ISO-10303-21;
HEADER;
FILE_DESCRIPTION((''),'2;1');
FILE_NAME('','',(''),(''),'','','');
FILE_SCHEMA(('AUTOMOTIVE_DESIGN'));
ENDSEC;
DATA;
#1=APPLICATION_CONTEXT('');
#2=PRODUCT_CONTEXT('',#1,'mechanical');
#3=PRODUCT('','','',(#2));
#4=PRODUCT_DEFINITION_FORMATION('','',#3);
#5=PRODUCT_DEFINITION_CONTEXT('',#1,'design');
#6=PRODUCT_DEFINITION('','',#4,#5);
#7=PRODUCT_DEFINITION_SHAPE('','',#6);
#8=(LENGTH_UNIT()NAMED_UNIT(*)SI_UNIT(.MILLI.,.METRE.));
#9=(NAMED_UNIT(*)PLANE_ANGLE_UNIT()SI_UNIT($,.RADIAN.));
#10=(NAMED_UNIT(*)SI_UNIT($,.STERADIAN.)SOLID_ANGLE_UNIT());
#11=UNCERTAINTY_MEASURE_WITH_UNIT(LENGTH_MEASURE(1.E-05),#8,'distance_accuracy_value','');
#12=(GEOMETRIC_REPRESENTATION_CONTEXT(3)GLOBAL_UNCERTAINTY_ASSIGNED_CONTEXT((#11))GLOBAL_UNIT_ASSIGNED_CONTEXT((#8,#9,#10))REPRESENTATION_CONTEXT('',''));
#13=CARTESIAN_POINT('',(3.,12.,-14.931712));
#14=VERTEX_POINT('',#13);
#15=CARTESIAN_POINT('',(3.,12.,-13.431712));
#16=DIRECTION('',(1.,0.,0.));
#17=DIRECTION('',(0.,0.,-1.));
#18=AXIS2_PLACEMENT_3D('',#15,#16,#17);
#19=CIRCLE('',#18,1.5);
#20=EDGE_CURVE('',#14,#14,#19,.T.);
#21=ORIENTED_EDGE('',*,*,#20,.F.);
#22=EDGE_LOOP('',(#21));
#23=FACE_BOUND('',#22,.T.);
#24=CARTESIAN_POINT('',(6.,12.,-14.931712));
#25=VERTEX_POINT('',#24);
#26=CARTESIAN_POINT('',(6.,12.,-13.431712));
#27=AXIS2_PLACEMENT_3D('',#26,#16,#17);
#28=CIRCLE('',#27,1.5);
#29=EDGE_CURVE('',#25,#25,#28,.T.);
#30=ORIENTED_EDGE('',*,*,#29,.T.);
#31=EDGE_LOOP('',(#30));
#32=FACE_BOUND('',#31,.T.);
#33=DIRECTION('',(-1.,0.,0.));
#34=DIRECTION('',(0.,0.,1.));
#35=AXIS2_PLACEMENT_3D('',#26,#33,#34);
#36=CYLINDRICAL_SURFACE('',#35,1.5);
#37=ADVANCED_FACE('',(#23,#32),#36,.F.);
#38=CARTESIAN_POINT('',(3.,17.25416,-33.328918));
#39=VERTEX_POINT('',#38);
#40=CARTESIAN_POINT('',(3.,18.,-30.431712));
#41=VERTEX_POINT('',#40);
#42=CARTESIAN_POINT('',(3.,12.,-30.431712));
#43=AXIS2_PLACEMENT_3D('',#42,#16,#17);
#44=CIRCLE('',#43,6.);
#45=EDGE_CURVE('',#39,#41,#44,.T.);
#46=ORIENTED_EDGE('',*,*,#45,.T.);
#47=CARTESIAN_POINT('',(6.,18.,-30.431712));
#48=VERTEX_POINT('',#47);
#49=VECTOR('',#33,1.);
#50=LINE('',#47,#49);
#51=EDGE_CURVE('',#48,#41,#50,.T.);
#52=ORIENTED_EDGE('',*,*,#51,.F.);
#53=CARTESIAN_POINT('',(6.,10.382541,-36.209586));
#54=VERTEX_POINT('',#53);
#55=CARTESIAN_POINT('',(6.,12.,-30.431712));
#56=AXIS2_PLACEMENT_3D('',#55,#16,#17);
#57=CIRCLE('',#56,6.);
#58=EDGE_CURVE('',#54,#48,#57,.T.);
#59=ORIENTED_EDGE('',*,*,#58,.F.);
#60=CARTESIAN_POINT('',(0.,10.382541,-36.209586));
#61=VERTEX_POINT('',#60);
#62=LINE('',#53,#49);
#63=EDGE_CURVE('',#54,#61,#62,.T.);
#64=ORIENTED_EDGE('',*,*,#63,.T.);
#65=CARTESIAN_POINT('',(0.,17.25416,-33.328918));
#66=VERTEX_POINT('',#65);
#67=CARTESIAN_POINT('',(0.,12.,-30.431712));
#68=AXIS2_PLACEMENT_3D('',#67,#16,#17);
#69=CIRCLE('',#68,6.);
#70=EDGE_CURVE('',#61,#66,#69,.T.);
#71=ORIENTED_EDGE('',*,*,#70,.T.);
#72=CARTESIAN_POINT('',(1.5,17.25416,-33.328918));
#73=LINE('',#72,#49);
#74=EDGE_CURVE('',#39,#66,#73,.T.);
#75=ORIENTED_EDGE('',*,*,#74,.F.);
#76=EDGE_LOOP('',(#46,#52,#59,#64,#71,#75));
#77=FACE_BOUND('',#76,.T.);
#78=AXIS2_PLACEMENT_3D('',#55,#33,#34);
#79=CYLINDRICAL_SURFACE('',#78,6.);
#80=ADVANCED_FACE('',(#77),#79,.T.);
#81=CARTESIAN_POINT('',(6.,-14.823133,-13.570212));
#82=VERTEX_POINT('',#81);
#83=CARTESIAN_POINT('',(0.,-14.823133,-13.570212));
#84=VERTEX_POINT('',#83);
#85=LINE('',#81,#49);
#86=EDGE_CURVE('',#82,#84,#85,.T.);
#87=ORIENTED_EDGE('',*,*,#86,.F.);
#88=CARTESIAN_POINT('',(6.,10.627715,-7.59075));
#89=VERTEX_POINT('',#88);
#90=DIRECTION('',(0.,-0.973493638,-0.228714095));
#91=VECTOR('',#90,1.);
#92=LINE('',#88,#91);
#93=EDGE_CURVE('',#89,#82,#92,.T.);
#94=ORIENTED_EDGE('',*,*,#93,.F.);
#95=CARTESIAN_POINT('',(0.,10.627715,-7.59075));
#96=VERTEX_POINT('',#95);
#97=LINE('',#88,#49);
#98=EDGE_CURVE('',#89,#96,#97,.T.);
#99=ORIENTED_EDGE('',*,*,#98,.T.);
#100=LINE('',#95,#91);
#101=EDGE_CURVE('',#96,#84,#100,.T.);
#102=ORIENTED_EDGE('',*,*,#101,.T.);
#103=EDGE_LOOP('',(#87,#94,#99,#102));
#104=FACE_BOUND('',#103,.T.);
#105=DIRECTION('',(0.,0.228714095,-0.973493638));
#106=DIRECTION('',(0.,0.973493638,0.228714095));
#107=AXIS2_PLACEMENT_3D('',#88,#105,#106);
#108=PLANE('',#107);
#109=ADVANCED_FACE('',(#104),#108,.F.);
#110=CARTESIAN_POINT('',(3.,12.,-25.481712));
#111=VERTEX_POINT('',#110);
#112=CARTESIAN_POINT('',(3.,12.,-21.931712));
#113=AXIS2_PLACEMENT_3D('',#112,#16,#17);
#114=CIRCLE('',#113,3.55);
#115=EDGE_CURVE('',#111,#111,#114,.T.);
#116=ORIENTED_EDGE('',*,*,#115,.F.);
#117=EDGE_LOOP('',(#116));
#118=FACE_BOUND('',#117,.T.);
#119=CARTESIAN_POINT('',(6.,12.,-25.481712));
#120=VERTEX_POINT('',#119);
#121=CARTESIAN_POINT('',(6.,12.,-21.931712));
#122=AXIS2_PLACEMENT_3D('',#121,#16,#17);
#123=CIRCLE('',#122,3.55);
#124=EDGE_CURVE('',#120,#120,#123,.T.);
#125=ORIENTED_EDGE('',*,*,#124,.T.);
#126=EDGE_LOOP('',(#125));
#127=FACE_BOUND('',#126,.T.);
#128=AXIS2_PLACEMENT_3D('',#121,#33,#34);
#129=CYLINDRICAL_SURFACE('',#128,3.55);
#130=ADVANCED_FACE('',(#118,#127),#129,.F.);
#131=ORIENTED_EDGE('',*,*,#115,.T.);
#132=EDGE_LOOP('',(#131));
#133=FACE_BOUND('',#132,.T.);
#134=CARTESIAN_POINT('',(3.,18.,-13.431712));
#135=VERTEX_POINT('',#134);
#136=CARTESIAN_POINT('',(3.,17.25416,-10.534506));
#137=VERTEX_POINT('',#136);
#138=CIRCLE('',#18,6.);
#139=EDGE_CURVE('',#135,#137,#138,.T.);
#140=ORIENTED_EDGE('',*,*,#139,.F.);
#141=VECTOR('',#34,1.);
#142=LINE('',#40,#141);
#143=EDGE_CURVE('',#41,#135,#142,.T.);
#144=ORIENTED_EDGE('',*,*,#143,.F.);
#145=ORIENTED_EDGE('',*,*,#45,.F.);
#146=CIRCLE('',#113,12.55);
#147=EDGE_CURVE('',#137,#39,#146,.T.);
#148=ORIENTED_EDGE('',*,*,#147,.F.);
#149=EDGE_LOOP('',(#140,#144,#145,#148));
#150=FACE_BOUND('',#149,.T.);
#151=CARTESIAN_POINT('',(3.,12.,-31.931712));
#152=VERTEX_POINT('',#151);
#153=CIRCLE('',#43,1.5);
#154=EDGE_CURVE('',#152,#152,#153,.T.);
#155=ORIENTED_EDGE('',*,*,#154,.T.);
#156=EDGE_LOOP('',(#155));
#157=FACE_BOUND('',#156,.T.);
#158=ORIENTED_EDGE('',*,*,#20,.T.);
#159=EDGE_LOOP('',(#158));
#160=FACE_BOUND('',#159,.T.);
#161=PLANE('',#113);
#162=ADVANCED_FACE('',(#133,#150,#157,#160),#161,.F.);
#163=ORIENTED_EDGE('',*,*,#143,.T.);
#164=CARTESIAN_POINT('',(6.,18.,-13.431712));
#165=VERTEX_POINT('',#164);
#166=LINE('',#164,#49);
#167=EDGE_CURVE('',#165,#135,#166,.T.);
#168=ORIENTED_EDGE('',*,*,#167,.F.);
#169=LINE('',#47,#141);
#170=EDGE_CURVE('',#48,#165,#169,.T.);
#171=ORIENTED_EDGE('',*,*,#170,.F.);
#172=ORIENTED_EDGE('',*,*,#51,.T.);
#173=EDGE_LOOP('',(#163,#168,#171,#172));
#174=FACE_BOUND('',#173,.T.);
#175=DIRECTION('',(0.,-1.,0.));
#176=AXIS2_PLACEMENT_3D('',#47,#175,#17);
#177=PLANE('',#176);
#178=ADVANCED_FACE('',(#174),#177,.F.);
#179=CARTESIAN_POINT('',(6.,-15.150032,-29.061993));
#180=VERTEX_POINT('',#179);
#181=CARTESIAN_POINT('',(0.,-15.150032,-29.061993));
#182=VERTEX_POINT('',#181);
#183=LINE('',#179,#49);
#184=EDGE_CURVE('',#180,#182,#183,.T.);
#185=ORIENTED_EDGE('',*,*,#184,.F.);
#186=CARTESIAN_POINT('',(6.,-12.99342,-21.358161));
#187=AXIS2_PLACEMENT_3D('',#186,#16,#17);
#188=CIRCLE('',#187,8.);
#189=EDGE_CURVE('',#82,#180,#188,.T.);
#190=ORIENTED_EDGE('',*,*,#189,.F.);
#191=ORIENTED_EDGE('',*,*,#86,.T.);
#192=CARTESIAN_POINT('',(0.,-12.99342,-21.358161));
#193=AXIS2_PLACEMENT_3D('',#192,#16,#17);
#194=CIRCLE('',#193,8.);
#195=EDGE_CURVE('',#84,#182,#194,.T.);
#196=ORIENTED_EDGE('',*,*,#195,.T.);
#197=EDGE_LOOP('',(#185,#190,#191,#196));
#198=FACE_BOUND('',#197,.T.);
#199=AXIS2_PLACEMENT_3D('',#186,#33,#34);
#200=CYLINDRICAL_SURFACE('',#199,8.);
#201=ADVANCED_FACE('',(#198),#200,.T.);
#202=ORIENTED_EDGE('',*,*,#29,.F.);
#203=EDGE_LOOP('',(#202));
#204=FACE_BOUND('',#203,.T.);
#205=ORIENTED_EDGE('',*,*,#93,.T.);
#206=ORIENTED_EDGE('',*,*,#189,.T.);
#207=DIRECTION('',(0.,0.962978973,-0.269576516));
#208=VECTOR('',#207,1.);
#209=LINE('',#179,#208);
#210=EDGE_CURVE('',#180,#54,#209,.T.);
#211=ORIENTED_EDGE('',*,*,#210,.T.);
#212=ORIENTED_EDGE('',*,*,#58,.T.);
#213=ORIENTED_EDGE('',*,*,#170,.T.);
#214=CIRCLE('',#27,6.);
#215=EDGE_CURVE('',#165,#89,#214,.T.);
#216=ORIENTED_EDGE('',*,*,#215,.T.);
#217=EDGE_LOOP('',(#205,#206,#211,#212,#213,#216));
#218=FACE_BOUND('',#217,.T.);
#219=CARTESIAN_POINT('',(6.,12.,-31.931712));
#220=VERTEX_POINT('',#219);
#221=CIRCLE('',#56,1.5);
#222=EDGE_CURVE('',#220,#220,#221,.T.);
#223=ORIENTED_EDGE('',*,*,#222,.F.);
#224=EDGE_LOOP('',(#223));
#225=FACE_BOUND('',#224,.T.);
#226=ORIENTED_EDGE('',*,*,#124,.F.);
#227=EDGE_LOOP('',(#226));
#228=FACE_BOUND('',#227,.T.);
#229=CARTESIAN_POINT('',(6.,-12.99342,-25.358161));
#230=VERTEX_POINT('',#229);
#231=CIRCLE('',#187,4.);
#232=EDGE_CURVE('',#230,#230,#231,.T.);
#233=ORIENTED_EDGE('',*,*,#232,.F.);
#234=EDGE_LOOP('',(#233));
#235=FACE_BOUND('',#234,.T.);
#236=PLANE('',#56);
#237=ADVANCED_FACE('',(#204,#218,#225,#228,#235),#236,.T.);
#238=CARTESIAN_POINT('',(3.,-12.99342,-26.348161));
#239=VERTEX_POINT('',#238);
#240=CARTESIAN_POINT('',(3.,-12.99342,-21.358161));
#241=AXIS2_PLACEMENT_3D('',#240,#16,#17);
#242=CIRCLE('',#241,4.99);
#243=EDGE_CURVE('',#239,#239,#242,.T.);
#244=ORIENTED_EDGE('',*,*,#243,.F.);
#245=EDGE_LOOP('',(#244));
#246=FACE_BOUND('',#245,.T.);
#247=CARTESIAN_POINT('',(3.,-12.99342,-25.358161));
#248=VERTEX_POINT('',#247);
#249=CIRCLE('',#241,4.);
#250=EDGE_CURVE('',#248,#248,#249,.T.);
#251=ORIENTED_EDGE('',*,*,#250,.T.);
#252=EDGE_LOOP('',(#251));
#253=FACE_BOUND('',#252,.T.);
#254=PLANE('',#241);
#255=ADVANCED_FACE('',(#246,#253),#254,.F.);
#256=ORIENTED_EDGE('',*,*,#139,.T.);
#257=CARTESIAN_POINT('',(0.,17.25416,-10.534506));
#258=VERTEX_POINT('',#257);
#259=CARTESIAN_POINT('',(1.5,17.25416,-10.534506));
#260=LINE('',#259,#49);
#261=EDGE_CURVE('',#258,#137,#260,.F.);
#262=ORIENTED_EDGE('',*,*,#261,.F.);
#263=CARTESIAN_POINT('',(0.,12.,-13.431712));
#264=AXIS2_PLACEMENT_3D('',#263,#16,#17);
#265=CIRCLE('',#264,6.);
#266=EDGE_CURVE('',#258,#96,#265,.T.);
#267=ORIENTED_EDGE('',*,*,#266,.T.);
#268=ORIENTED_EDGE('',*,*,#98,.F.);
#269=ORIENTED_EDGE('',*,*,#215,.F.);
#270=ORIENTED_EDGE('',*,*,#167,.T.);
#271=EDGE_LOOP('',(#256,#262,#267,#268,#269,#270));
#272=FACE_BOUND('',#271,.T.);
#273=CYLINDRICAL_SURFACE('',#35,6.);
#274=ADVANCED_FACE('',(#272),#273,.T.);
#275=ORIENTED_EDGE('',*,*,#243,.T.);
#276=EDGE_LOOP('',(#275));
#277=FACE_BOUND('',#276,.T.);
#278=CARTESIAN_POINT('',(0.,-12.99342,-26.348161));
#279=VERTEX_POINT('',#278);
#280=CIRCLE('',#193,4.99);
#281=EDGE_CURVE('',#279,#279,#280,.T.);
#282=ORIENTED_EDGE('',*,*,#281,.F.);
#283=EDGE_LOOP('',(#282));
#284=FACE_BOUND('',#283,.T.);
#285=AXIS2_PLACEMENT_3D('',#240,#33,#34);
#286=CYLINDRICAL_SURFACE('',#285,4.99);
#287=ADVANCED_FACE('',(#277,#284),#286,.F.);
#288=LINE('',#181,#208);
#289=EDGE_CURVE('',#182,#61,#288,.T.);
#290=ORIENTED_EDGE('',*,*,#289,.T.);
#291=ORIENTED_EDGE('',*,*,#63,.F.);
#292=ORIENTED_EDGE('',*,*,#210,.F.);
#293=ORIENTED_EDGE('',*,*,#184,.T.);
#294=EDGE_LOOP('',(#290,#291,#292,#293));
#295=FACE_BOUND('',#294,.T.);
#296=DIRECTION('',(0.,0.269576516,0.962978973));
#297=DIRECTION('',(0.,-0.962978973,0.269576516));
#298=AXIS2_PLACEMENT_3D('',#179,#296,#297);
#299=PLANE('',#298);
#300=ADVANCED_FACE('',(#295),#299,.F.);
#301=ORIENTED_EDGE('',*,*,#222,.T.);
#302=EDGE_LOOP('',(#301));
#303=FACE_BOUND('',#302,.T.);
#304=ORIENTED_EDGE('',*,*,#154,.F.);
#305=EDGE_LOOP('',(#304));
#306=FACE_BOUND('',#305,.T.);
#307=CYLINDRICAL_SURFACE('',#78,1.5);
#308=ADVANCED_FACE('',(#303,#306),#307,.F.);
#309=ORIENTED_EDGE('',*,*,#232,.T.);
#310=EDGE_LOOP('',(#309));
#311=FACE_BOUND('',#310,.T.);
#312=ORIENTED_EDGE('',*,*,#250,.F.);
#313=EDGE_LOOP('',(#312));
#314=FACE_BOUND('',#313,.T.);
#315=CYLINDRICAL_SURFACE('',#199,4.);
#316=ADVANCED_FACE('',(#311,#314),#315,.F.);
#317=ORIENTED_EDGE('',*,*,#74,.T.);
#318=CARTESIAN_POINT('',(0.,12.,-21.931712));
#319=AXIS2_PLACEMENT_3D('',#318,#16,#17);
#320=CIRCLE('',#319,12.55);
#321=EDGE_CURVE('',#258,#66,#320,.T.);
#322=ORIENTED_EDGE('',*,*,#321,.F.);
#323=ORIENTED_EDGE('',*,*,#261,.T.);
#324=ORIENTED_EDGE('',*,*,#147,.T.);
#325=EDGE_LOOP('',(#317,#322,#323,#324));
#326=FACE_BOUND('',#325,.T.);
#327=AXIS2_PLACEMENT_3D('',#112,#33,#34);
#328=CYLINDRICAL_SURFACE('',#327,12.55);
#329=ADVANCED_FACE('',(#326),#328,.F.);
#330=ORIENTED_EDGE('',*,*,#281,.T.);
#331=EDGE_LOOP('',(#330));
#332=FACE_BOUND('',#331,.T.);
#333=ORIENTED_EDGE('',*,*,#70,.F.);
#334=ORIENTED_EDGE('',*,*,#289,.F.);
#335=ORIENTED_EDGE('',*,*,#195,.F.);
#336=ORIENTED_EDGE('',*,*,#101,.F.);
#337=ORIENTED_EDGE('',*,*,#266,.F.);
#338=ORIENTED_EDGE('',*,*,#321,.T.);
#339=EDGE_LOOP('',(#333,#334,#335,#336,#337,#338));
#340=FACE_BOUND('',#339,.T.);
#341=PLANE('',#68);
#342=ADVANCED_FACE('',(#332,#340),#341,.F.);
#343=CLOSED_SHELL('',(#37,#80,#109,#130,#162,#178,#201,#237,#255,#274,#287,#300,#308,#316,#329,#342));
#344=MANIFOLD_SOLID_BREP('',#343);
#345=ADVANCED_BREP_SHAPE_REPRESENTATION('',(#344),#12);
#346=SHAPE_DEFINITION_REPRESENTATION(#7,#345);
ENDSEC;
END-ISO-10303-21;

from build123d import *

# Parameters (mm, degrees)
SKETCH1_R           = 3.55
SKETCH1_R_2         = 1.5
SKETCH1_R_3         = 4
BOSS_EXTRUDE1_DEPTH = 6
SKETCH2_R           = 4.99
CUT_EXTRUDE1_DEPTH  = 3
SKETCH3_R           = 12.55
CUT_EXTRUDE2_DEPTH  = 3


with BuildPart() as part:
    # Sketch1 → Boss-Extrude1 (new body)
    with BuildSketch(Plane(origin=(0, 0, 0), x_dir=(0, 0, -1), z_dir=(1, 0, 0))):
        with BuildLine():
            Line((30.431712199, 18), (13.431712199, 18))
            ThreePointArc((13.431712199, 18), (8.728856289, 15.726009432), (7.590750373, 10.627715428))
            Line((7.590750373, 10.627715428), (13.570211844, -14.823132675))
            ThreePointArc((13.570211844, -14.823132675), (21.189386747, -20.991639419), (29.061992727, -15.150032042))
            Line((29.061992727, -15.150032042), (36.209586036, 10.382540903))
            ThreePointArc((36.209586036, 10.382540903), (35.212128216, 15.625965073), (30.431712199, 18))
        make_face()
        with Locations((21.931712199, 12)):
            Circle(SKETCH1_R, mode=Mode.SUBTRACT)
        with Locations((30.431712199, 12)):
            Circle(SKETCH1_R_2, mode=Mode.SUBTRACT)
        with Locations((13.431712199, 12)):
            Circle(SKETCH1_R_2, mode=Mode.SUBTRACT)
        with Locations((21.358160945, -12.993419913)):
            Circle(SKETCH1_R_3, mode=Mode.SUBTRACT)
    extrude(amount=BOSS_EXTRUDE1_DEPTH)

    # Sketch2 → Cut-Extrude1 (cut)
    with BuildSketch(Plane(origin=(0, 0, 0), x_dir=(0, 0, -1), z_dir=(1, 0, 0))):
        with Locations((21.358160945, -12.993419913)):
            Circle(SKETCH2_R)
    extrude(amount=CUT_EXTRUDE1_DEPTH, mode=Mode.SUBTRACT)

    # Sketch3 → Cut-Extrude2 (cut)
    with BuildSketch(Plane(origin=(0, 0, 0), x_dir=(0, 0, -1), z_dir=(1, 0, 0))):
        with Locations((21.931712199, 12)):
            Circle(SKETCH3_R)
    extrude(amount=CUT_EXTRUDE2_DEPTH, mode=Mode.SUBTRACT)


solid = part.part
